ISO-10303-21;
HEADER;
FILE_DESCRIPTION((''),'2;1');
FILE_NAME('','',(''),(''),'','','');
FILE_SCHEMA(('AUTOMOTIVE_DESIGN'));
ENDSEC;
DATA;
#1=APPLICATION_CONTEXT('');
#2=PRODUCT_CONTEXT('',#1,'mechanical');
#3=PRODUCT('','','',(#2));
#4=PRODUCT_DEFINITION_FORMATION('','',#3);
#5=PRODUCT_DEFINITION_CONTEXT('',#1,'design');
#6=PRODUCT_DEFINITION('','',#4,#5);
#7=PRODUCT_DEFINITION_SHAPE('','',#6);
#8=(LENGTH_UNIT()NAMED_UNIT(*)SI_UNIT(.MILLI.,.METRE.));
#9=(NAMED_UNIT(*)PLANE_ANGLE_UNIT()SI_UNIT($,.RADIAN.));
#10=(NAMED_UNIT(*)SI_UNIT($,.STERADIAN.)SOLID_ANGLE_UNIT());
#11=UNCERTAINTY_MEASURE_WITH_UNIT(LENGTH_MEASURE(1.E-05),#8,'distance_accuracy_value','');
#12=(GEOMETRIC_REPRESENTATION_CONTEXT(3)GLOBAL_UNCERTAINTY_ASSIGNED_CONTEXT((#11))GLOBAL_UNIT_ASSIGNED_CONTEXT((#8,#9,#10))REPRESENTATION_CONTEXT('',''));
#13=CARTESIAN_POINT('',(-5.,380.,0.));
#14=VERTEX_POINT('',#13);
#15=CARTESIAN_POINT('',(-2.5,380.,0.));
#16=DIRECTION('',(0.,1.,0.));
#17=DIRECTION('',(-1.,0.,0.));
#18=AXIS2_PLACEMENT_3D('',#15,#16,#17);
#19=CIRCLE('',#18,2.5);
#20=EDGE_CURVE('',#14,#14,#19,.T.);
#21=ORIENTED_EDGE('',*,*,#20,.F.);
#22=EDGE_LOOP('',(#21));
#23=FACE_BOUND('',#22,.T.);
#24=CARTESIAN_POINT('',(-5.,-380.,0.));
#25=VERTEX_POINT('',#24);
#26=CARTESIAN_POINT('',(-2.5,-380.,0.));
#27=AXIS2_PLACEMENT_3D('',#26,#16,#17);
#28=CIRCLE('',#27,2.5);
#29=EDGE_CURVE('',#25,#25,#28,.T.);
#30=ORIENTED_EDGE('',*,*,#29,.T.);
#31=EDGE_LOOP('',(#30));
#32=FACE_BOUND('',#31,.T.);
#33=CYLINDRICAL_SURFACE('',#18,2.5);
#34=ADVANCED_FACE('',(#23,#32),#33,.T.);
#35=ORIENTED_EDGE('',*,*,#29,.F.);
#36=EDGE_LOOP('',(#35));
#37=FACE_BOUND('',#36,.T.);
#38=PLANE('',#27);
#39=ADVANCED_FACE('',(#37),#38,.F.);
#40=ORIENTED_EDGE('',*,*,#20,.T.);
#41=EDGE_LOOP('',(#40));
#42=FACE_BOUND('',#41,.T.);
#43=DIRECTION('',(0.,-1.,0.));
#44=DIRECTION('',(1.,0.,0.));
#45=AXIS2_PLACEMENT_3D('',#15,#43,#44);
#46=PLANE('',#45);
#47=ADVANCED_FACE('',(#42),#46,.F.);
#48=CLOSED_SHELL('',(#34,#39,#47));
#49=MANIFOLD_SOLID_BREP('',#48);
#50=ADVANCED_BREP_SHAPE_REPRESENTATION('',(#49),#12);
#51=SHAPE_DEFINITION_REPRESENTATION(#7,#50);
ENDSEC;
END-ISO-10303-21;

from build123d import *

# Parameters (mm, degrees)
SKETCH_2_W = 2.5
SKETCH_2_H = 760


with BuildPart() as part:
    # Эскиз2 → Повернуть1 (revolve)
    with BuildSketch(Plane.XY, mode=Mode.PRIVATE) as revolve_1_sk:
        with Locations((-1.25, 0)):
            Rectangle(SKETCH_2_W, SKETCH_2_H)
    revolve(revolve_1_sk.sketch.rotate(Axis((-2.5, 380, 0), (0, -1, 0)), 180), axis=Axis((-2.5, 380, 0), (0, -1, 0)))


solid = part.part
